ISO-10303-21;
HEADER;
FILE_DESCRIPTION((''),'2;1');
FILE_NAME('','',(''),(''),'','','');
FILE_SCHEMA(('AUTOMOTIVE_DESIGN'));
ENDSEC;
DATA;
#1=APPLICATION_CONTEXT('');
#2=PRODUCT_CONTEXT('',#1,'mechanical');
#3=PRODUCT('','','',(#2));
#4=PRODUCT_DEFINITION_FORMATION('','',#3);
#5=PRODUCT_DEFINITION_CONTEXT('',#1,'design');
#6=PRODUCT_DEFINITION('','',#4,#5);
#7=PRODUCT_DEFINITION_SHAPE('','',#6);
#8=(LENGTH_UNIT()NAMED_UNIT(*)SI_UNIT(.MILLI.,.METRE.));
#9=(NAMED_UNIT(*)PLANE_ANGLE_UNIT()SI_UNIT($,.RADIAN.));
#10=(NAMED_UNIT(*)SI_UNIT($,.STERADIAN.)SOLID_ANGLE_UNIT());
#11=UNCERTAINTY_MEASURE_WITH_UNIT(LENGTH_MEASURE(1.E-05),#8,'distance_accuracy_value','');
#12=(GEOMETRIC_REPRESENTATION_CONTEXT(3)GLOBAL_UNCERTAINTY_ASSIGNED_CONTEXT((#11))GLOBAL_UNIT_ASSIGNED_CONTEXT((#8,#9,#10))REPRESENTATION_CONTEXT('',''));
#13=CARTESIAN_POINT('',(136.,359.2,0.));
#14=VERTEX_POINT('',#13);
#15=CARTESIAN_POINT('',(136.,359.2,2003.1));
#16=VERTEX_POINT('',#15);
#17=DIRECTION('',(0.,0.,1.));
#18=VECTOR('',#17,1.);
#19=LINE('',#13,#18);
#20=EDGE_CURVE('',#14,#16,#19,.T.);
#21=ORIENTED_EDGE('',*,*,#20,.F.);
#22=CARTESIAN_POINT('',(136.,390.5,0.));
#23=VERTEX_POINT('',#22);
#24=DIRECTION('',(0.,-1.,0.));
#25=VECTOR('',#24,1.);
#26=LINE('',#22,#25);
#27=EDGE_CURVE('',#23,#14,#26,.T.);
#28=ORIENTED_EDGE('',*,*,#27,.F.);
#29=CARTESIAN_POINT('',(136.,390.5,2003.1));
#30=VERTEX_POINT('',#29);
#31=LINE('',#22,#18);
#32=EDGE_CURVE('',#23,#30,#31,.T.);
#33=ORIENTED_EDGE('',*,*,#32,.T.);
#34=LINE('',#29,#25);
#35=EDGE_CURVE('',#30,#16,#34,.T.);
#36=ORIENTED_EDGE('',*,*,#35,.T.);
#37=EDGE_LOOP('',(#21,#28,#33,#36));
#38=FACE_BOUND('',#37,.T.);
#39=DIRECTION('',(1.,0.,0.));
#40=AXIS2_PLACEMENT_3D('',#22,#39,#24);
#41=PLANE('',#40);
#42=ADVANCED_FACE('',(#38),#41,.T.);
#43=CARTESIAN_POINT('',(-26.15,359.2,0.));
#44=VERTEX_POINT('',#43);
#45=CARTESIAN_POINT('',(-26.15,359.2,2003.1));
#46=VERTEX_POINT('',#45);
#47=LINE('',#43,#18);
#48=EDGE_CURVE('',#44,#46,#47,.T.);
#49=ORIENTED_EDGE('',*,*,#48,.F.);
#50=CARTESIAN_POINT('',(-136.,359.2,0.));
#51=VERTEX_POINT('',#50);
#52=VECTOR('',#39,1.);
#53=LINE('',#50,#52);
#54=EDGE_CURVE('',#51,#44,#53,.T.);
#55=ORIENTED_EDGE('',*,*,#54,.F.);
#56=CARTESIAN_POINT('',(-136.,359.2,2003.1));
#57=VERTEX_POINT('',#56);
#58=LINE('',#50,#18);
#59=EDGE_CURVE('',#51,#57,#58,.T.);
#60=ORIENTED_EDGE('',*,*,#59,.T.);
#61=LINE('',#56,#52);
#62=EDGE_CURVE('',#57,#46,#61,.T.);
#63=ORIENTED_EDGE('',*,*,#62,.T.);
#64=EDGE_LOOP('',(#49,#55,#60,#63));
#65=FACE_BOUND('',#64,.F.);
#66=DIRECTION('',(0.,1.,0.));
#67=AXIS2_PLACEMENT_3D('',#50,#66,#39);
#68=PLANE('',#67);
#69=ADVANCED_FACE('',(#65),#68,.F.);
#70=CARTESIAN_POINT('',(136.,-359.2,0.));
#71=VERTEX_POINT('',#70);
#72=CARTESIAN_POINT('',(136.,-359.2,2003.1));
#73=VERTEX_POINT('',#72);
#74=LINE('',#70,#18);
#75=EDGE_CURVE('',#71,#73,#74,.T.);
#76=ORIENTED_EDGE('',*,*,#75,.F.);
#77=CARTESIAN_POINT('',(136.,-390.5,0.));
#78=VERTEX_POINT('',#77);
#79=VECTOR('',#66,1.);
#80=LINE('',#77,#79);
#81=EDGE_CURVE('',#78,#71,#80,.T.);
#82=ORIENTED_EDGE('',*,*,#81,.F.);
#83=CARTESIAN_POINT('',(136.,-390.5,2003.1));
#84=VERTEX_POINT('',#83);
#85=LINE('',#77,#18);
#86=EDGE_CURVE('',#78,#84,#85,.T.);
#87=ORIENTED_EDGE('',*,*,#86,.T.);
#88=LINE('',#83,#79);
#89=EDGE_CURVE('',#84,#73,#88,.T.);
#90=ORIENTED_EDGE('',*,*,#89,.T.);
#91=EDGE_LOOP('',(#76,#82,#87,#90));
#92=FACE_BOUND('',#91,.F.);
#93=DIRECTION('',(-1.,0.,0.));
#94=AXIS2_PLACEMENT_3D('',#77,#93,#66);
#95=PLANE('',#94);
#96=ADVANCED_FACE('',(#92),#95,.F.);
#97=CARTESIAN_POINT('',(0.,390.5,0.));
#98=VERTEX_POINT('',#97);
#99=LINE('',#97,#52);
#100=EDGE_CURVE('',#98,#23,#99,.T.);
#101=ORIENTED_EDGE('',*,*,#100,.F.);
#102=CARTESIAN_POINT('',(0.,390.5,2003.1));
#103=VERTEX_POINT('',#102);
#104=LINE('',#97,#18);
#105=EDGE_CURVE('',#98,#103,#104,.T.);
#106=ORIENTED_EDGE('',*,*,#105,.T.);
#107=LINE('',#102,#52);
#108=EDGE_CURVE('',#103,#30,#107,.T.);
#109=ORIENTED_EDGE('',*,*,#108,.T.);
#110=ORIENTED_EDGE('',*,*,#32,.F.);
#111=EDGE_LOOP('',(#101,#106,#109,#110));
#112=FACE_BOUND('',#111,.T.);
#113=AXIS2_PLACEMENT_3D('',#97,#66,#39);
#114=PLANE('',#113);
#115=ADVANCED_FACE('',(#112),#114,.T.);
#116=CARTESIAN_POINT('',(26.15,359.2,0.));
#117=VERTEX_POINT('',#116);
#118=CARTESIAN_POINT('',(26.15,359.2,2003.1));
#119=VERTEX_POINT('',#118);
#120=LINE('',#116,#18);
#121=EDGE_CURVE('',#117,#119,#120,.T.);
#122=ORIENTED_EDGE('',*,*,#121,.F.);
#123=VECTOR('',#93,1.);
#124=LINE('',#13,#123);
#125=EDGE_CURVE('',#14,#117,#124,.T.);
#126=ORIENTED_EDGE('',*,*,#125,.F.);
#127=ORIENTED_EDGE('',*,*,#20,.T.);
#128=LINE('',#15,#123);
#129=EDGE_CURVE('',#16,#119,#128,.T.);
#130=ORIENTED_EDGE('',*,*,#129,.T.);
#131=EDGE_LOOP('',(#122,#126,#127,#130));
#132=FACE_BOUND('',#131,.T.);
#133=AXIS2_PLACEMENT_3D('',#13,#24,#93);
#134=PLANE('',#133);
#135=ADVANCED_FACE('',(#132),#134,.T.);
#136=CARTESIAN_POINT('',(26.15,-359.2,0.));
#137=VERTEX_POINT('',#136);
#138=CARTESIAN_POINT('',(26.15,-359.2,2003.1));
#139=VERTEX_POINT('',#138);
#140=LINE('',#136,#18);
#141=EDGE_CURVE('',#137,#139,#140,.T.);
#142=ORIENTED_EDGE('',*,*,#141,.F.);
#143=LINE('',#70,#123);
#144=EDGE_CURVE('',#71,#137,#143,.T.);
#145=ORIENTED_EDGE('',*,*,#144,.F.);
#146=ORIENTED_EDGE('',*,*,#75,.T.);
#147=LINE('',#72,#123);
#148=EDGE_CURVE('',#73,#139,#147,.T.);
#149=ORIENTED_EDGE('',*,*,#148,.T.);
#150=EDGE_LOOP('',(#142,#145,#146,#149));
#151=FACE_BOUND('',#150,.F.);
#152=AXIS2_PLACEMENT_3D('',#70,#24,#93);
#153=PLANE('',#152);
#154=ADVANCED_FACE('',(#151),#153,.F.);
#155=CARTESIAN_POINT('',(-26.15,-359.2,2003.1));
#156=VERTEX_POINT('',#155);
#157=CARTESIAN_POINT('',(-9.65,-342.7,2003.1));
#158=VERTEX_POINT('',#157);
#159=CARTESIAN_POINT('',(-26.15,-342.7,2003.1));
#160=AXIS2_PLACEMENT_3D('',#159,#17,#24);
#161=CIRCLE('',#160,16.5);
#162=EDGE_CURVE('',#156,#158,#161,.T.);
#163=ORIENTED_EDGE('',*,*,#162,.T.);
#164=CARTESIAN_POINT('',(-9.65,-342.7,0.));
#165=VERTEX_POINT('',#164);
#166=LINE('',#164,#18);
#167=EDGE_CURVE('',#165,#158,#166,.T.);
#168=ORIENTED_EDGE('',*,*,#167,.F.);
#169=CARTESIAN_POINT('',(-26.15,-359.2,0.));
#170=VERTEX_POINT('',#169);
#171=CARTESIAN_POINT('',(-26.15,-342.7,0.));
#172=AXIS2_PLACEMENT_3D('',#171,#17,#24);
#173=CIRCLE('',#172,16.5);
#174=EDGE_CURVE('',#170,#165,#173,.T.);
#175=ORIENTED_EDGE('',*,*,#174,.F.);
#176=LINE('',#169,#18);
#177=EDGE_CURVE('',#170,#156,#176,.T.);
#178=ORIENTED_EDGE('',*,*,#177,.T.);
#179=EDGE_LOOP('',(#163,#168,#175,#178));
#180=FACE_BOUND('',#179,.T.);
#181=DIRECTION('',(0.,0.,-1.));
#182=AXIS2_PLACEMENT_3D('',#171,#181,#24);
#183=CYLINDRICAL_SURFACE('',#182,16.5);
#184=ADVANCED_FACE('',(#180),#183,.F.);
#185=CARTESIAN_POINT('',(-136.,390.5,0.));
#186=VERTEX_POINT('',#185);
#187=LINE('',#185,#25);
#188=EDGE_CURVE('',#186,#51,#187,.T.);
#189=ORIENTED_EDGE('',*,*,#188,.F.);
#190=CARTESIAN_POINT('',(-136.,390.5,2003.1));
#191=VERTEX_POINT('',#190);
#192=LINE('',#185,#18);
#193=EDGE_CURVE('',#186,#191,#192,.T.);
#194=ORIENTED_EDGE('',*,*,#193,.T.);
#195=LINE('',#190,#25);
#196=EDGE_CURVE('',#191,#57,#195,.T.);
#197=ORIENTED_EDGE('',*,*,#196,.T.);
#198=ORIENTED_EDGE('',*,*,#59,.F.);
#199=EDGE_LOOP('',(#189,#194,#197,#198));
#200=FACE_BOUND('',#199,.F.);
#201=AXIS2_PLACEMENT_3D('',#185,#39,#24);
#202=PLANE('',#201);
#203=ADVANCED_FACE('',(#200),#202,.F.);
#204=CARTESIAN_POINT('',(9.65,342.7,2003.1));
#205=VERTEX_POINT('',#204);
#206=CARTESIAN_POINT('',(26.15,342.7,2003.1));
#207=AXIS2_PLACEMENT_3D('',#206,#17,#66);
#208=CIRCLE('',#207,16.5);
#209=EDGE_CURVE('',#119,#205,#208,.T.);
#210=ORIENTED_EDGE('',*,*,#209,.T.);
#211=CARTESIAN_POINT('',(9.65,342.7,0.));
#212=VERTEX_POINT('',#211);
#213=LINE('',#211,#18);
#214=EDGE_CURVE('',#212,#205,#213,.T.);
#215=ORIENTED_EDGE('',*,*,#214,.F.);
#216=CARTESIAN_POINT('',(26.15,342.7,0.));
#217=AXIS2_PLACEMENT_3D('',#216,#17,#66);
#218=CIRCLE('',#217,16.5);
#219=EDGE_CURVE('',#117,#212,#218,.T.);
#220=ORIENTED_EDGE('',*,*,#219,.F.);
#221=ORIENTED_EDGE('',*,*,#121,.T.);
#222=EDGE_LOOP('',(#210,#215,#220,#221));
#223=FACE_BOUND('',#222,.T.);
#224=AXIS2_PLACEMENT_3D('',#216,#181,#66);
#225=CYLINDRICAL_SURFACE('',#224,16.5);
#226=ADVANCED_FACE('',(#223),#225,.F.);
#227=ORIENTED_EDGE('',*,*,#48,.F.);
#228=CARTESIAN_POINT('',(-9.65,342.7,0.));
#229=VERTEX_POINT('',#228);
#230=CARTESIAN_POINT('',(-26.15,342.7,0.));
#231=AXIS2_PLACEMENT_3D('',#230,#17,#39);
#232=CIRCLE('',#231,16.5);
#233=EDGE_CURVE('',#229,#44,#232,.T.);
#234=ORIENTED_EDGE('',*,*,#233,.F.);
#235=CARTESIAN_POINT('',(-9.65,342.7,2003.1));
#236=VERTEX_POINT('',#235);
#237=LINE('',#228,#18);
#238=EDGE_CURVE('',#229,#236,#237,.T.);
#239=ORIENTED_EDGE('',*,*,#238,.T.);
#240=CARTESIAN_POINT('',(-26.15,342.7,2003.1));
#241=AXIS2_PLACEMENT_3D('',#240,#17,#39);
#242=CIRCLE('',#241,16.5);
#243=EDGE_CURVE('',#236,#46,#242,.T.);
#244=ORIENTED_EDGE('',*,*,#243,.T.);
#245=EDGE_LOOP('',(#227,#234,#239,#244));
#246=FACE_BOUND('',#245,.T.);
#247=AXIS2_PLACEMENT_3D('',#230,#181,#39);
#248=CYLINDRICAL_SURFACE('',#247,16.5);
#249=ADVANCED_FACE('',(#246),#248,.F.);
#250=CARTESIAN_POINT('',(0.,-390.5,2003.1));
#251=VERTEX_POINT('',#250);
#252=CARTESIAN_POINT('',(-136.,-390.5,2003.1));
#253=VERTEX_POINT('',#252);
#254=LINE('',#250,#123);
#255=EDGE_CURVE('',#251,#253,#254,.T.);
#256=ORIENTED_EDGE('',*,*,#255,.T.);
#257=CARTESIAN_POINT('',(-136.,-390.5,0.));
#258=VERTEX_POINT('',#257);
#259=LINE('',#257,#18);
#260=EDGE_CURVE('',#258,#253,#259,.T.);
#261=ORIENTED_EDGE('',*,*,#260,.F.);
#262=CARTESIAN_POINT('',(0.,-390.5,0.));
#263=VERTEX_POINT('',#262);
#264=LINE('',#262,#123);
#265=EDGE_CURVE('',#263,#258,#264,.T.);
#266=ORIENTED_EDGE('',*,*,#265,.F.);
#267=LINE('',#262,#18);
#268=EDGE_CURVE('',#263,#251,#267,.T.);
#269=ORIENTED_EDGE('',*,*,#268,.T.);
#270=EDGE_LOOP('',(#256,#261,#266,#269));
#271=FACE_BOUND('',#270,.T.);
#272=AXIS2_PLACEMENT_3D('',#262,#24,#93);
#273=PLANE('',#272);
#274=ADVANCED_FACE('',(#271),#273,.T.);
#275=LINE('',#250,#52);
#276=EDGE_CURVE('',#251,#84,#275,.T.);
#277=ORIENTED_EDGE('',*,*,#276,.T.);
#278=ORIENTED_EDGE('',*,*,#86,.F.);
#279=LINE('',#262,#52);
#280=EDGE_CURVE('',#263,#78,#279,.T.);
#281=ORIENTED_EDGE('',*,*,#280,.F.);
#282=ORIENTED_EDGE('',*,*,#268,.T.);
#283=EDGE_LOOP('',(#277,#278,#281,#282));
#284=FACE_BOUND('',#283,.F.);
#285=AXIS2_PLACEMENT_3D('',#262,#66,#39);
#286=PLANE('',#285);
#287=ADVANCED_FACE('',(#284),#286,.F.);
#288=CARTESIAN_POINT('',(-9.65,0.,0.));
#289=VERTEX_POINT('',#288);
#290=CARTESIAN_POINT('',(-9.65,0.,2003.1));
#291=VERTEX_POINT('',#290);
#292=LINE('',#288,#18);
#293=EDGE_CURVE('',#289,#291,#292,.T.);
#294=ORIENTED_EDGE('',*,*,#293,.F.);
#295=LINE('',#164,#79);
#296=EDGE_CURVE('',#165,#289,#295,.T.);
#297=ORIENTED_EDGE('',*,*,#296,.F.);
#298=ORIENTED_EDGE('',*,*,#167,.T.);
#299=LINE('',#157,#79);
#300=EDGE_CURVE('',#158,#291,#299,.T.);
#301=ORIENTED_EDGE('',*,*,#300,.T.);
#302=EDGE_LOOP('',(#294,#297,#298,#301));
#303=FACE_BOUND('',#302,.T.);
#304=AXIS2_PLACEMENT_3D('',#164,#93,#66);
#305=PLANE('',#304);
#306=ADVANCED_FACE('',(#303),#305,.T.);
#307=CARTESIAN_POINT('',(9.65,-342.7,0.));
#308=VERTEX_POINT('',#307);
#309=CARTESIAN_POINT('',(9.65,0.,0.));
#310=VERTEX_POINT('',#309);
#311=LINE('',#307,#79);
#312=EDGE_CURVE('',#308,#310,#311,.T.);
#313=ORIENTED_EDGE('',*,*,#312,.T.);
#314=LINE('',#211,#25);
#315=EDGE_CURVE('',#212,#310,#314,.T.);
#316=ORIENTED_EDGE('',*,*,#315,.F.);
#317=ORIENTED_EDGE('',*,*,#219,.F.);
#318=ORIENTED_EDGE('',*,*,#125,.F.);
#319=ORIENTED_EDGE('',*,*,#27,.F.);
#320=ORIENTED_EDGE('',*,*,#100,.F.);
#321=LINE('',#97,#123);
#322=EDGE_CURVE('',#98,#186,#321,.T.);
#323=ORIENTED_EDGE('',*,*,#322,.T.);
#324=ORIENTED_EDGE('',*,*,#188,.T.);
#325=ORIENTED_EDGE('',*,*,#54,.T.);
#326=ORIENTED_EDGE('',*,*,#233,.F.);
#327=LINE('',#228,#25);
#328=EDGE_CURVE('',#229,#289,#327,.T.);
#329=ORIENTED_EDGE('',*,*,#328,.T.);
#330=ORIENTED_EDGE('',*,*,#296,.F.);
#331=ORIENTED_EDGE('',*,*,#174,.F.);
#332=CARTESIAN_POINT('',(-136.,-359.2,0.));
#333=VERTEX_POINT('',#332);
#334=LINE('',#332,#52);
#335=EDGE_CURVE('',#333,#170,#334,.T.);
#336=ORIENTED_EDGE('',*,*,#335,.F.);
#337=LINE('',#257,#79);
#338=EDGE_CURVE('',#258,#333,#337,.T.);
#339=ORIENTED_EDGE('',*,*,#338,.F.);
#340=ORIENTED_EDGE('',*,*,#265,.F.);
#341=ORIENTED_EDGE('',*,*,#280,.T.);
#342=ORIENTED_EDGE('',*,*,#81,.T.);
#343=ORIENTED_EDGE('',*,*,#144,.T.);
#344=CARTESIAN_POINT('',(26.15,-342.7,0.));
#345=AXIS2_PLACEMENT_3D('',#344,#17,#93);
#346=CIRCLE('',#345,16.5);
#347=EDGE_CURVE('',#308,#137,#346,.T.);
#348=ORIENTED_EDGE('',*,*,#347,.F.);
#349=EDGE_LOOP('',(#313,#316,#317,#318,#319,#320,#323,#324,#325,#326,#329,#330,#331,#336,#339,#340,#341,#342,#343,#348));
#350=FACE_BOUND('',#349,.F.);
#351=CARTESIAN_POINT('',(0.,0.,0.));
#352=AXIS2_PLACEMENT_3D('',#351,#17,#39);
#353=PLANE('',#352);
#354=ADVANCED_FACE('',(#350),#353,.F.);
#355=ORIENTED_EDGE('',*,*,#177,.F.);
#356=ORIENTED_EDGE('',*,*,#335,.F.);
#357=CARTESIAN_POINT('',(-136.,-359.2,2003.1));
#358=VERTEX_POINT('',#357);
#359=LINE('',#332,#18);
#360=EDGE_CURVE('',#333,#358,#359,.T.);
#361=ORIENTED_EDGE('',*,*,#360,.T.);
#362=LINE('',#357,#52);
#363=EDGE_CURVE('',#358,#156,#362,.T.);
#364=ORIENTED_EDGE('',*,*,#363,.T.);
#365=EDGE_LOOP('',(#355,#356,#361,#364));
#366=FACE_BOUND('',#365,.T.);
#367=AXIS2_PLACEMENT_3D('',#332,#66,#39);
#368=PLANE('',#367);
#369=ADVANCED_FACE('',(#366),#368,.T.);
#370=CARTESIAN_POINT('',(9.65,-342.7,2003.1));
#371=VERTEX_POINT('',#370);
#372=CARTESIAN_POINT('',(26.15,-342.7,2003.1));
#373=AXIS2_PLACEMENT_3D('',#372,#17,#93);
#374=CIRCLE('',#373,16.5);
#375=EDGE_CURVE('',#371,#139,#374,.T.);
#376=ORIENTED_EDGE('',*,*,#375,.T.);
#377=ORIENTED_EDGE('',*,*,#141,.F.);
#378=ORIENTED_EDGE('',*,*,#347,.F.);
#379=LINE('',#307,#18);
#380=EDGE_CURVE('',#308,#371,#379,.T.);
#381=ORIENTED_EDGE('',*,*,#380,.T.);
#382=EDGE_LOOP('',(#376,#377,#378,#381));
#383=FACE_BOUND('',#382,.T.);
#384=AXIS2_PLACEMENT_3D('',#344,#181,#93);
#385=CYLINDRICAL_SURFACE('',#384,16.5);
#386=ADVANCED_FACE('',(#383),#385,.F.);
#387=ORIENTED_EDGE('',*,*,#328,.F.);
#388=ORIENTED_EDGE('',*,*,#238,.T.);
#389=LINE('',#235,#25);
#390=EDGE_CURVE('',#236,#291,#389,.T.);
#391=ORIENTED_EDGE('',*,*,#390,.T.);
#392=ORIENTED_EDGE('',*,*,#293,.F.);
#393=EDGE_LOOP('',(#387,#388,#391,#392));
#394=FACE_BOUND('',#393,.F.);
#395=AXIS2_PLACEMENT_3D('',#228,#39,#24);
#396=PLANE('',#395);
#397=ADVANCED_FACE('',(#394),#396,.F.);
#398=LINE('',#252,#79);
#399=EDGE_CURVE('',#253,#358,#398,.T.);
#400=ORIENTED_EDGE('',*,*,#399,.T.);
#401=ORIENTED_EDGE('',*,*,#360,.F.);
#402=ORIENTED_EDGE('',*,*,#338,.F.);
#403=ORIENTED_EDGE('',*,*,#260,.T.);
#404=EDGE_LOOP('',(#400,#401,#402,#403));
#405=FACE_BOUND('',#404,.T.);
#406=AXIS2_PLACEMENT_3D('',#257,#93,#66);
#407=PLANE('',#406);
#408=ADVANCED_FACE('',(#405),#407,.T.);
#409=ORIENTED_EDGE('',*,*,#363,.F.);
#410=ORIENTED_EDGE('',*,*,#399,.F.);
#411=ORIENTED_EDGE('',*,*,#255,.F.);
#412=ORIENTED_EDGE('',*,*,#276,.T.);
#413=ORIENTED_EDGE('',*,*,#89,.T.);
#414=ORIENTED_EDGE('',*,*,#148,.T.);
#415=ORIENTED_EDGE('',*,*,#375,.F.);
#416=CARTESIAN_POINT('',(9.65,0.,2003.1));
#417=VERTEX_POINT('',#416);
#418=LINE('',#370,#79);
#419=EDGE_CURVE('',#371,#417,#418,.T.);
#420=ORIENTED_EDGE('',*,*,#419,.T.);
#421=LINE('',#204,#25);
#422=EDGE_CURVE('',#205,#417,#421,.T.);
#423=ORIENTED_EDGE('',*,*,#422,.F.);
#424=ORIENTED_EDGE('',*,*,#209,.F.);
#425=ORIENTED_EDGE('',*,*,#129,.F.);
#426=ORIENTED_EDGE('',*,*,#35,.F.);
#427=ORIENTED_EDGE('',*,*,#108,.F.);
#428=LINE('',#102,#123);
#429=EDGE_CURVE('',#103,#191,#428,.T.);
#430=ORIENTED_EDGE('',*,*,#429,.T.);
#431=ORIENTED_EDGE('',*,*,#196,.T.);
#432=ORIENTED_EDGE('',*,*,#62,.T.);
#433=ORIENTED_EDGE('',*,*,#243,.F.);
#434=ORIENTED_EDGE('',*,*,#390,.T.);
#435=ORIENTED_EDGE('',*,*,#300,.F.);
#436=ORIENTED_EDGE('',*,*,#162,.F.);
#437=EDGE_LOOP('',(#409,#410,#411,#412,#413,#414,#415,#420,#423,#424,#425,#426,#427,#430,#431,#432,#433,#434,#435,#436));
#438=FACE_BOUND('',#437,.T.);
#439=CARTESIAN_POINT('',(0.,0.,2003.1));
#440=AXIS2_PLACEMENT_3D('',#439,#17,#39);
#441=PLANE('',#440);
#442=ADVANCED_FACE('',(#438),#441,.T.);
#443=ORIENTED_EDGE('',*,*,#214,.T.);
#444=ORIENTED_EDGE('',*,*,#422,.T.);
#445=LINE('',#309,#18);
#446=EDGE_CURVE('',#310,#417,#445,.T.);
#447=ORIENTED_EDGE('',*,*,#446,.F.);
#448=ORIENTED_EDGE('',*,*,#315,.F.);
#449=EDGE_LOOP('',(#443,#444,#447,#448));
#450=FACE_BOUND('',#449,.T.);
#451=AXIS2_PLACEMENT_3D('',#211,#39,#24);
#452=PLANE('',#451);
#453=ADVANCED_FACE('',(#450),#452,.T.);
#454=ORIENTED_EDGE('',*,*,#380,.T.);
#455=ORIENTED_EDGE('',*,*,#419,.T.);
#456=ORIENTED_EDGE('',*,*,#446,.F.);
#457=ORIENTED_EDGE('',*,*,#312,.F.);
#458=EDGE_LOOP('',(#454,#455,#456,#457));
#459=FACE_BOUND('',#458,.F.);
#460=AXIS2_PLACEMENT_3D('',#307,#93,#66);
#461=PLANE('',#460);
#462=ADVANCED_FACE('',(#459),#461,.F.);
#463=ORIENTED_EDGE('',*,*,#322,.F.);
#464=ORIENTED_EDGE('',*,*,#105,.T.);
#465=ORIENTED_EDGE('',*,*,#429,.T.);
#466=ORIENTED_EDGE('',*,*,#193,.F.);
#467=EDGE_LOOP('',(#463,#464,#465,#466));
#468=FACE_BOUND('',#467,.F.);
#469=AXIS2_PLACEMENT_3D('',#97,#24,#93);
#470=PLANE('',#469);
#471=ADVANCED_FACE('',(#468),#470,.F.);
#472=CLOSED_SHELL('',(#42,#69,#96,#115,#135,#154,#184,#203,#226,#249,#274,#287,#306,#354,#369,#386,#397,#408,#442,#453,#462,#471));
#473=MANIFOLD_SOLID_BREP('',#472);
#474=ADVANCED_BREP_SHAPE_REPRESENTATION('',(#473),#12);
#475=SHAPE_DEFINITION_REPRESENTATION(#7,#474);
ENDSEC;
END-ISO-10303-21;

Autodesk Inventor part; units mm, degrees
ref_plane "YZ Plane" through (0, 0, 0) normal (1, 0, 0) x (0, 1, 0)
ref_plane "Start plane" through (0, 0, 0) normal (0, 0, 1) x (1, 0, 0)
ref_plane "End plane" through (0, 0, 2003.1) normal (0, 0, 1) x (1, 0, 0)
sketch "Sketch" plane through (0, 0, 0) normal (0, 0, 1) x (1, 0, 0)
  line L0 (-136, -390.5) -> (-136, -359.2)
  line L1 (-136, -359.2) -> (-26.15, -359.2)
  line L2 (-9.65, -342.7) -> (-9.65, 0)
  line L3 (-9.65, 0) -> (0, 0) construction
  line L4 (0, 0) -> (0, -390.5) construction
  line L5 (0, -390.5) -> (-136, -390.5)
  line L6 (-60, 0) -> (80, 0) construction
  line L7 (0, -60) -> (0, 80) construction
  line L8 (136, -390.5) -> (136, -359.2)
  line L9 (136, -359.2) -> (26.15, -359.2)
  line L10 (9.65, -342.7) -> (9.65, 0)
  line L11 (9.65, 0) -> (0, 0) construction
  line L12 (0, -390.5) -> (136, -390.5)
  line L13 (-136, 390.5) -> (-136, 359.2)
  line L14 (-136, 359.2) -> (-26.15, 359.2)
  line L15 (-9.65, 342.7) -> (-9.65, 0)
  line L16 (0, 390.5) -> (-136, 390.5)
  line L17 (136, 390.5) -> (136, 359.2)
  line L18 (136, 359.2) -> (26.15, 359.2)
  line L19 (0, 390.5) -> (136, 390.5)
  line L20 (9.65, 342.7) -> (9.65, 0)
  arc A0 (-9.65, 342.7) -> (-26.15, 359.2) centre (-26.15, 342.7) ccw
  arc A1 (26.15, 359.2) -> (9.65, 342.7) centre (26.15, 342.7) ccw
  arc A2 (9.65, -342.7) -> (26.15, -359.2) centre (26.15, -342.7) ccw
  arc A3 (-26.15, -359.2) -> (-9.65, -342.7) centre (-26.15, -342.7) ccw
  line L21 (0, 108) -> (0, -88) construction
  line L22 (-88, 0) -> (108, 0) construction
  point P0 (-9.65, -359.2)
  point P1 (9.65, -359.2)
  point P2 (-9.65, 359.2)
  point P3 (9.65, 359.2)
  dimension "d1" = 390.5
  dimension "d2" = 31.3
  dimension "d3" = 136
  dimension "d4" = 9.65
  dimension "d10" = 16.5
extrude "Body" add sketch "Sketch" along normal up to surface (2003.1 mm away) from surface at 0
sketch "Sketch4" plane through (0, 0, 0) normal (0, 0, 1) x (1, 0, 0)
  line L0 (0, 0) -> (10, 0)
ref_plane "Work Plane3" through (0, 0, 0) normal (0, -1, 0) x (1, 0, 0)
sketch "Sketch5" plane through (0, 0, 0) normal (0, -1, 0) x (1, 0, 0)
  line L0 (-2, 0) -> (12, 0) projected
  line L1 (-2, 2003.1) -> (12, 2003.1) projected
  dimension "d14" = 2003.1
equation "\"d1\" = 0.5 * G_H"
equation "\"d2\" = G_T1"
equation "\"d3\" = 0.5 * G_W"
equation "\"d4\" = 0.5 * G_T"
equation "\"d10\" = G_IR"
equation "\"d5\" = G_L"
equation "\"G_W\" = 272"
equation "\"G_H\" = 781"
equation "\"G_T\" = 19.3"
equation "\"G_T1\" = 31.3"
equation "\"G_IR\" = 16.5"
equation "\"G_L\" = d14"
equation "\"G_OFFSET_START\" = 0"
equation "\"G_OFFSET_END\" = 0"
equation "\"d12\" = G_OFFSET_END + B_L"
equation "\"B_L\" = 2003.1"
properties part number "AS 3679-1990 - 760 UB - 244 - 2003.1" material "Steel, Mild"
